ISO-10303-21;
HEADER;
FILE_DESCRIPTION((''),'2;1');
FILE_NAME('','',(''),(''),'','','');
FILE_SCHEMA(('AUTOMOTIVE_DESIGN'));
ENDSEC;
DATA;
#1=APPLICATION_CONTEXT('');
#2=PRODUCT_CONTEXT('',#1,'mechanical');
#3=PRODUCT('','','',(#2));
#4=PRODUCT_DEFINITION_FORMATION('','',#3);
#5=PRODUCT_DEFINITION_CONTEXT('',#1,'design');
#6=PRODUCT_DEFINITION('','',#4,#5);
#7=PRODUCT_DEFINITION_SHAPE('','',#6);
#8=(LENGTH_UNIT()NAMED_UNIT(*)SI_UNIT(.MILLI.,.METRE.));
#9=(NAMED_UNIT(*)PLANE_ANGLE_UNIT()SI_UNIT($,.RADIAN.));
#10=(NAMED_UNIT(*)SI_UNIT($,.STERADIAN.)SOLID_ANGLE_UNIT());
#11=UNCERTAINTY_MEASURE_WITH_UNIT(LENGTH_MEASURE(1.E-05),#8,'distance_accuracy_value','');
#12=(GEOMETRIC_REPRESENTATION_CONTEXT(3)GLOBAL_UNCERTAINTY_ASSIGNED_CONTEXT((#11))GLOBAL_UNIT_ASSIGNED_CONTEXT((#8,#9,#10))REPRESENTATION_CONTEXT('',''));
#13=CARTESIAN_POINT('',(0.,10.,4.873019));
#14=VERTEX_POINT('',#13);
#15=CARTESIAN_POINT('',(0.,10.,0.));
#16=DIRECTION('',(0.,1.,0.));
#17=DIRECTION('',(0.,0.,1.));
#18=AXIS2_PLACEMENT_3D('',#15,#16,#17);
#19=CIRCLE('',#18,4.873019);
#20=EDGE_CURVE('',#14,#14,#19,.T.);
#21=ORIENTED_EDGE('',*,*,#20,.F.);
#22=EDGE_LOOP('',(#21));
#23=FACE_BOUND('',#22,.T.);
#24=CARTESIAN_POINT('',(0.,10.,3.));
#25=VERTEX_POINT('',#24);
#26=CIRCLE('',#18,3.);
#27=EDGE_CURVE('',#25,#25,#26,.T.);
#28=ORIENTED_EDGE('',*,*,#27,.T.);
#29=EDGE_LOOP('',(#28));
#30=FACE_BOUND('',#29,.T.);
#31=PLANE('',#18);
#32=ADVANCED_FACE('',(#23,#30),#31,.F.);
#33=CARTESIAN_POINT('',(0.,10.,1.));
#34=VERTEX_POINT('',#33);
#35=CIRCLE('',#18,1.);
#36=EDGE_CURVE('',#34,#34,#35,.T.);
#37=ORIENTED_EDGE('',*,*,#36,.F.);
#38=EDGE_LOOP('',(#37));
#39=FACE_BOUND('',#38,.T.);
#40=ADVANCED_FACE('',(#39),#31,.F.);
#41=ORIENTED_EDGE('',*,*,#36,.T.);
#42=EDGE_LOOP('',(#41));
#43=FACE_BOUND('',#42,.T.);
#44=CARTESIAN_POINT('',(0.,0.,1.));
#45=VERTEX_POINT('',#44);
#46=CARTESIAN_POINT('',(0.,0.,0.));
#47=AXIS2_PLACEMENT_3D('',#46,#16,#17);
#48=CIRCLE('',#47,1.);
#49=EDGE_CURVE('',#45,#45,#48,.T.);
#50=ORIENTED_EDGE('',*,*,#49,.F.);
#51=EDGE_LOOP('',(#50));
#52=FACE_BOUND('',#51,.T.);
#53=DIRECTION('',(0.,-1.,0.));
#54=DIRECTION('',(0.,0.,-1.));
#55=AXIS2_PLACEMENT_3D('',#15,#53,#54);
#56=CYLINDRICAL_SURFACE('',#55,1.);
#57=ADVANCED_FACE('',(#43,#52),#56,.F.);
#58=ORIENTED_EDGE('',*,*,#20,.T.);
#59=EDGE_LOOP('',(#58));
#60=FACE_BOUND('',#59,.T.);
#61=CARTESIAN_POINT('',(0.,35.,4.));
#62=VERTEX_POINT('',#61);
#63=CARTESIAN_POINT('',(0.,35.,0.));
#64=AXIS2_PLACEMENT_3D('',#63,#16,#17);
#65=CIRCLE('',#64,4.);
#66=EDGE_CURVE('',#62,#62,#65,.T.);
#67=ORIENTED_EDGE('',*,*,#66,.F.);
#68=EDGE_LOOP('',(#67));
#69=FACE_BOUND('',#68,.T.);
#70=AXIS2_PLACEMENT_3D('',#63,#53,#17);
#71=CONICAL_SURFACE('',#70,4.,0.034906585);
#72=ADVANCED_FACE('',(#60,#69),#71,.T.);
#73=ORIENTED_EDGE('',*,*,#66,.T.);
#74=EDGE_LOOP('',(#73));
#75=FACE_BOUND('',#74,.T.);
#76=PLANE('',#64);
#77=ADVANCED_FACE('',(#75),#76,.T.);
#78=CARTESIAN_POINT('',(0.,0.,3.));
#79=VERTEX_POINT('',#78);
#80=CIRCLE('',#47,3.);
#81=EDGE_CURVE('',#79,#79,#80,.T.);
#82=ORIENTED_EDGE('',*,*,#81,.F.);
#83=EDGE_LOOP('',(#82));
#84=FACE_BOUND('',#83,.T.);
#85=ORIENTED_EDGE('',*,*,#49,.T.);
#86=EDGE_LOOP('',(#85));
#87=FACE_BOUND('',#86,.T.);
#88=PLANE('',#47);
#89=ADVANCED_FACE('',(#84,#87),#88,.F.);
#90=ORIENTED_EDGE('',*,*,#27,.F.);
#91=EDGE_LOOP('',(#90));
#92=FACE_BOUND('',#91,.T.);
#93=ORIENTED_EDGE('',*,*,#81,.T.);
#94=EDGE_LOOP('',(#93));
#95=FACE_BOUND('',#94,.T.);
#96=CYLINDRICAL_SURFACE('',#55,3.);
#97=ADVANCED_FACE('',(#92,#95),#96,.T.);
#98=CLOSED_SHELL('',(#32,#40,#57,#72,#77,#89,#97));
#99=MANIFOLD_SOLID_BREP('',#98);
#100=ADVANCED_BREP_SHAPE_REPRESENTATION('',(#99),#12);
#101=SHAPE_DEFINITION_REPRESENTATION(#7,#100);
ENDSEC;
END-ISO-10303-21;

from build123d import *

# Parameters (mm, degrees)
SKETCH1_R           = 3
SKETCH1_R_2         = 1
BOSS_EXTRUDE1_DEPTH = 10
SKETCH2_R           = 4
BOSS_EXTRUDE2_DEPTH = 10
SKETCH3_R           = 4
BOSS_EXTRUDE3_DEPTH = 15
DRAFT1_ANGLE        = 2


with BuildPart() as part:
    # Sketch1 → Boss-Extrude1 (new body)
    with BuildSketch(Plane(origin=(0, 0, 0), x_dir=(1, 0, 0), z_dir=(0, 1, 0))):
        Circle(SKETCH1_R)
        Circle(SKETCH1_R_2, mode=Mode.SUBTRACT)
    extrude(amount=BOSS_EXTRUDE1_DEPTH)

    # Sketch2 → Boss-Extrude2 (add)
    with BuildSketch(Plane(origin=(0, 10, 0), x_dir=(1, 0, 0), z_dir=(0, 1, 0))):
        Circle(SKETCH2_R)
    extrude(amount=BOSS_EXTRUDE2_DEPTH)

    # Sketch3 → Boss-Extrude3 (add)
    with BuildSketch(Plane(origin=(0, 20, 0), x_dir=(1, 0, 0), z_dir=(0, 1, 0))):
        Circle(SKETCH3_R)
    extrude(amount=BOSS_EXTRUDE3_DEPTH)

    # Draft1
    draft1_faces = [part.faces().sort_by_distance(p)[0] for p in [
        (-4, 22.5, 0),
    ]]
    draft(draft1_faces, Plane.ZX.offset(35), DRAFT1_ANGLE)


solid = part.part
